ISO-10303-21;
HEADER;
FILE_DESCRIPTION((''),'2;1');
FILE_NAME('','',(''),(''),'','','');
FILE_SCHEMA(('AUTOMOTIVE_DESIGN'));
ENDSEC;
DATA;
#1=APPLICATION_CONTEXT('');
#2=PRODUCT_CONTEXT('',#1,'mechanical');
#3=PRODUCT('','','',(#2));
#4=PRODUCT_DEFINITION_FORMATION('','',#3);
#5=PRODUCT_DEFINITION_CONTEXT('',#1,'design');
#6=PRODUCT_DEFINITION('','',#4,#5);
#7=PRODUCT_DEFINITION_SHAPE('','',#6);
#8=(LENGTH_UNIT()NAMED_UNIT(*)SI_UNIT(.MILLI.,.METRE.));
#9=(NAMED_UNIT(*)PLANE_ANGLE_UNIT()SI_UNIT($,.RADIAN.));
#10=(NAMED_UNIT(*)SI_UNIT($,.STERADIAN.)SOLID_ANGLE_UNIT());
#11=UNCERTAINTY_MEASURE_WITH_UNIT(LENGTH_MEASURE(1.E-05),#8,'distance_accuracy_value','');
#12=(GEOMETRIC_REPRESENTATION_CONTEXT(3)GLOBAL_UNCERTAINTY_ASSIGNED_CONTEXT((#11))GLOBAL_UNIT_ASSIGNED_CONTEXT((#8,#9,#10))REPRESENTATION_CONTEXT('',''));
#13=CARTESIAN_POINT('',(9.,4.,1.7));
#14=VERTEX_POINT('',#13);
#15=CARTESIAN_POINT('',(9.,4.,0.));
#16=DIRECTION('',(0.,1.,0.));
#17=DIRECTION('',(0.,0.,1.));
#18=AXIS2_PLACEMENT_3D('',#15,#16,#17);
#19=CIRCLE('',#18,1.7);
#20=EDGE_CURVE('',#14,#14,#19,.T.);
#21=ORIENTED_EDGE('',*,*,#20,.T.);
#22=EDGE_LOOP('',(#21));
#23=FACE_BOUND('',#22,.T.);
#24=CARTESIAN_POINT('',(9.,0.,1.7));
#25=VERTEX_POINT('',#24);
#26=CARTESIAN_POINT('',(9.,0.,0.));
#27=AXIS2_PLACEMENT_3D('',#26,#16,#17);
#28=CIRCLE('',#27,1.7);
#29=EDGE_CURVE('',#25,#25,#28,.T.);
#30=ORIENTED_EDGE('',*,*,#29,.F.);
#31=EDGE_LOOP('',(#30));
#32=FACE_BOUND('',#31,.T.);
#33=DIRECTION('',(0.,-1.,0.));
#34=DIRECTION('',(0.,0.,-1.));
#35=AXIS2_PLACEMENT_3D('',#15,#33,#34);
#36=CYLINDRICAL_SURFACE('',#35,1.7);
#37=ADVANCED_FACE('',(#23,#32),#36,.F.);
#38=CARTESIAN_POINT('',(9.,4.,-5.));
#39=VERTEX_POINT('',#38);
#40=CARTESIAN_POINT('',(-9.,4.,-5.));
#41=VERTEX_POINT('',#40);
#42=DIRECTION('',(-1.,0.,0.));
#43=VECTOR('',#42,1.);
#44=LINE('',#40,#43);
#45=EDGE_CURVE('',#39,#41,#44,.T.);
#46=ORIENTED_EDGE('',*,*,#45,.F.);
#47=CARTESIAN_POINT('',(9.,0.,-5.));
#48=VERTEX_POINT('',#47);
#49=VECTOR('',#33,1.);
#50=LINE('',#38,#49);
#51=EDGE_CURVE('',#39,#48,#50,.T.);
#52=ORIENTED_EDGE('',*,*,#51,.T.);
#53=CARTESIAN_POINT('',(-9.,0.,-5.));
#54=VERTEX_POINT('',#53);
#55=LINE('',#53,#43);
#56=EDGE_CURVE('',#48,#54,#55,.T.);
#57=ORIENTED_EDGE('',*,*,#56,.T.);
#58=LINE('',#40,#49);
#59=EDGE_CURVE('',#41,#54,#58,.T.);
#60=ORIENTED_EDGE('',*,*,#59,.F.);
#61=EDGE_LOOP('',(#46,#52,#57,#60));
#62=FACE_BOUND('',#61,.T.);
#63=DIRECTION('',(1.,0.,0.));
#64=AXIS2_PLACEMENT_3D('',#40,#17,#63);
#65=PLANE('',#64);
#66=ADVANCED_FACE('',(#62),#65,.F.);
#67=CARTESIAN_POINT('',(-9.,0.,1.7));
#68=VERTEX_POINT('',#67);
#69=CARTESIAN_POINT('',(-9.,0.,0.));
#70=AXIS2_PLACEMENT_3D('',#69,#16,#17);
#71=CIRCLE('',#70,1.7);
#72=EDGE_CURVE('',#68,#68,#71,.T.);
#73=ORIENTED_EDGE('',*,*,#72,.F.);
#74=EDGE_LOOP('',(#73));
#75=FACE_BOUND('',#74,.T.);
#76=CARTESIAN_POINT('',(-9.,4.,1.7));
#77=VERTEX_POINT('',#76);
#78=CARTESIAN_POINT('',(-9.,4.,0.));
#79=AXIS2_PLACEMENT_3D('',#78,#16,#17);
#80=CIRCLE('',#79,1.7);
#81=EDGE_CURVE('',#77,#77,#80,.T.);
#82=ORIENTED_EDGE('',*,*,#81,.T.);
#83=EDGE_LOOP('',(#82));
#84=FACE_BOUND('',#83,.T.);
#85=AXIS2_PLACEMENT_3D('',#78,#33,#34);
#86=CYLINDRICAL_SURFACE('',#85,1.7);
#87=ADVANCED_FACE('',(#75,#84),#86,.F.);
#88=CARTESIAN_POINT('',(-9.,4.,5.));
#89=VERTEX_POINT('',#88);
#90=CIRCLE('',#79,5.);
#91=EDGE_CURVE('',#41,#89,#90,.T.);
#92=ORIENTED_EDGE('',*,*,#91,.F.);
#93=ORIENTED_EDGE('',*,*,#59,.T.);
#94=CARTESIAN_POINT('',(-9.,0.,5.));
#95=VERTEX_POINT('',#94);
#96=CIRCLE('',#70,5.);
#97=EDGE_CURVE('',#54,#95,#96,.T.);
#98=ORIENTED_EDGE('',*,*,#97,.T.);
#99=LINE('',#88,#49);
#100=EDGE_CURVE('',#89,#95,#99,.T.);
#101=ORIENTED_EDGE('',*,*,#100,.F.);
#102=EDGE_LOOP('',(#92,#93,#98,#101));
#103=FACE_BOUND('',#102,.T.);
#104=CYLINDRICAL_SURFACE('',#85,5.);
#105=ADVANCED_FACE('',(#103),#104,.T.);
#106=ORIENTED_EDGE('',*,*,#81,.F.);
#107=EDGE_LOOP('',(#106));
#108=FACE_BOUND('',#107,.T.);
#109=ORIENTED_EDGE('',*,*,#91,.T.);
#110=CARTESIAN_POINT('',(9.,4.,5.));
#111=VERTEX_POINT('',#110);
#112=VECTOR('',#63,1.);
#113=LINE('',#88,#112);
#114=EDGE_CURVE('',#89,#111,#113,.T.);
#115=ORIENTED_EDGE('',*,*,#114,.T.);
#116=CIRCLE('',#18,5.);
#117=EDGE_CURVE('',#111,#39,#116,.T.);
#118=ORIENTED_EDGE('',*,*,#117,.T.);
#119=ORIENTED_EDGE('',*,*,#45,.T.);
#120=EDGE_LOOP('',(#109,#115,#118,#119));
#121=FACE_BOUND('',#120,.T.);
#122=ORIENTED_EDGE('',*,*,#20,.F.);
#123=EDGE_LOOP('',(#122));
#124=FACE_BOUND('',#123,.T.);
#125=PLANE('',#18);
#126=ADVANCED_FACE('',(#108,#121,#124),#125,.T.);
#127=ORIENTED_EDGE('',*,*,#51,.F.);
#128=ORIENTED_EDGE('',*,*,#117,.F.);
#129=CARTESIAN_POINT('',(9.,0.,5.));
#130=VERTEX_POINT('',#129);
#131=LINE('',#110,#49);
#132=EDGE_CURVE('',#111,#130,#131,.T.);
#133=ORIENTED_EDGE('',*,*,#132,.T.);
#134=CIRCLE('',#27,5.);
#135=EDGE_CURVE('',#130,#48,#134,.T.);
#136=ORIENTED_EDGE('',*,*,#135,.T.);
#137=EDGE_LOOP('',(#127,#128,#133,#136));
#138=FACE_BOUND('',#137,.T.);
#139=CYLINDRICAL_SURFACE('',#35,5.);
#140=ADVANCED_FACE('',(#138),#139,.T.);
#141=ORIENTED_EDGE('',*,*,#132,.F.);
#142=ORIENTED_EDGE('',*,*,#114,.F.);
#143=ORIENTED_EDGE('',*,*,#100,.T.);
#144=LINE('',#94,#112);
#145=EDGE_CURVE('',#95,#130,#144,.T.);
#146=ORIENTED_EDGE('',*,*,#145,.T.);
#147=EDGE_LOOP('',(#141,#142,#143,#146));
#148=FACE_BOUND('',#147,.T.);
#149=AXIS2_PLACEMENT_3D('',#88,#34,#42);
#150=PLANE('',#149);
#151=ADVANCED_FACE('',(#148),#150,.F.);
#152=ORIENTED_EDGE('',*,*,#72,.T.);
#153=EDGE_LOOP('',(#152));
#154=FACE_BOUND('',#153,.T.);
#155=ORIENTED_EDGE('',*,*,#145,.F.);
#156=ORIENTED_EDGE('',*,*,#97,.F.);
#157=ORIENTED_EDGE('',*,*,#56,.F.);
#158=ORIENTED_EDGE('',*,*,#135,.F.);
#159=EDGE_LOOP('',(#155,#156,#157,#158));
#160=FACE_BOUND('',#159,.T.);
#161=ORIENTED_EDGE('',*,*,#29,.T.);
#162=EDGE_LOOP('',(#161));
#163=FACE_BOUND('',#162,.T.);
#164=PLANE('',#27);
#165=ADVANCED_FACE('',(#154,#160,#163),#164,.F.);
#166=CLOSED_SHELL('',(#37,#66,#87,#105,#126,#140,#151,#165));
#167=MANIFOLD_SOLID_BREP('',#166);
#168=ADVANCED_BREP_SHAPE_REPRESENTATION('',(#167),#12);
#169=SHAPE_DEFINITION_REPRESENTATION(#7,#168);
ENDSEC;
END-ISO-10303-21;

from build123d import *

# Parameters (mm, degrees)
SKETCH1_R           = 1.7
BOSS_EXTRUDE1_DEPTH = 4


with BuildPart() as part:
    # Sketch1 → Boss-Extrude1 (new body)
    with BuildSketch(Plane(origin=(0, 0, 0), x_dir=(1, 0, 0), z_dir=(0, 1, 0))):
        with BuildLine():
            Line((-9, 5), (9, 5))
            ThreePointArc((9, 5), (14, 0), (9, -5))
            Line((9, -5), (-9, -5))
            ThreePointArc((-9, -5), (-14, 0), (-9, 5))
        make_face()
        with Locations(Location((-9, 0, 0), (0, 0, 270))):
            Circle(SKETCH1_R, mode=Mode.SUBTRACT)
        with Locations(Location((9, 0, 0), (0, 0, 270))):
            Circle(SKETCH1_R, mode=Mode.SUBTRACT)
    extrude(amount=BOSS_EXTRUDE1_DEPTH)


solid = part.part
